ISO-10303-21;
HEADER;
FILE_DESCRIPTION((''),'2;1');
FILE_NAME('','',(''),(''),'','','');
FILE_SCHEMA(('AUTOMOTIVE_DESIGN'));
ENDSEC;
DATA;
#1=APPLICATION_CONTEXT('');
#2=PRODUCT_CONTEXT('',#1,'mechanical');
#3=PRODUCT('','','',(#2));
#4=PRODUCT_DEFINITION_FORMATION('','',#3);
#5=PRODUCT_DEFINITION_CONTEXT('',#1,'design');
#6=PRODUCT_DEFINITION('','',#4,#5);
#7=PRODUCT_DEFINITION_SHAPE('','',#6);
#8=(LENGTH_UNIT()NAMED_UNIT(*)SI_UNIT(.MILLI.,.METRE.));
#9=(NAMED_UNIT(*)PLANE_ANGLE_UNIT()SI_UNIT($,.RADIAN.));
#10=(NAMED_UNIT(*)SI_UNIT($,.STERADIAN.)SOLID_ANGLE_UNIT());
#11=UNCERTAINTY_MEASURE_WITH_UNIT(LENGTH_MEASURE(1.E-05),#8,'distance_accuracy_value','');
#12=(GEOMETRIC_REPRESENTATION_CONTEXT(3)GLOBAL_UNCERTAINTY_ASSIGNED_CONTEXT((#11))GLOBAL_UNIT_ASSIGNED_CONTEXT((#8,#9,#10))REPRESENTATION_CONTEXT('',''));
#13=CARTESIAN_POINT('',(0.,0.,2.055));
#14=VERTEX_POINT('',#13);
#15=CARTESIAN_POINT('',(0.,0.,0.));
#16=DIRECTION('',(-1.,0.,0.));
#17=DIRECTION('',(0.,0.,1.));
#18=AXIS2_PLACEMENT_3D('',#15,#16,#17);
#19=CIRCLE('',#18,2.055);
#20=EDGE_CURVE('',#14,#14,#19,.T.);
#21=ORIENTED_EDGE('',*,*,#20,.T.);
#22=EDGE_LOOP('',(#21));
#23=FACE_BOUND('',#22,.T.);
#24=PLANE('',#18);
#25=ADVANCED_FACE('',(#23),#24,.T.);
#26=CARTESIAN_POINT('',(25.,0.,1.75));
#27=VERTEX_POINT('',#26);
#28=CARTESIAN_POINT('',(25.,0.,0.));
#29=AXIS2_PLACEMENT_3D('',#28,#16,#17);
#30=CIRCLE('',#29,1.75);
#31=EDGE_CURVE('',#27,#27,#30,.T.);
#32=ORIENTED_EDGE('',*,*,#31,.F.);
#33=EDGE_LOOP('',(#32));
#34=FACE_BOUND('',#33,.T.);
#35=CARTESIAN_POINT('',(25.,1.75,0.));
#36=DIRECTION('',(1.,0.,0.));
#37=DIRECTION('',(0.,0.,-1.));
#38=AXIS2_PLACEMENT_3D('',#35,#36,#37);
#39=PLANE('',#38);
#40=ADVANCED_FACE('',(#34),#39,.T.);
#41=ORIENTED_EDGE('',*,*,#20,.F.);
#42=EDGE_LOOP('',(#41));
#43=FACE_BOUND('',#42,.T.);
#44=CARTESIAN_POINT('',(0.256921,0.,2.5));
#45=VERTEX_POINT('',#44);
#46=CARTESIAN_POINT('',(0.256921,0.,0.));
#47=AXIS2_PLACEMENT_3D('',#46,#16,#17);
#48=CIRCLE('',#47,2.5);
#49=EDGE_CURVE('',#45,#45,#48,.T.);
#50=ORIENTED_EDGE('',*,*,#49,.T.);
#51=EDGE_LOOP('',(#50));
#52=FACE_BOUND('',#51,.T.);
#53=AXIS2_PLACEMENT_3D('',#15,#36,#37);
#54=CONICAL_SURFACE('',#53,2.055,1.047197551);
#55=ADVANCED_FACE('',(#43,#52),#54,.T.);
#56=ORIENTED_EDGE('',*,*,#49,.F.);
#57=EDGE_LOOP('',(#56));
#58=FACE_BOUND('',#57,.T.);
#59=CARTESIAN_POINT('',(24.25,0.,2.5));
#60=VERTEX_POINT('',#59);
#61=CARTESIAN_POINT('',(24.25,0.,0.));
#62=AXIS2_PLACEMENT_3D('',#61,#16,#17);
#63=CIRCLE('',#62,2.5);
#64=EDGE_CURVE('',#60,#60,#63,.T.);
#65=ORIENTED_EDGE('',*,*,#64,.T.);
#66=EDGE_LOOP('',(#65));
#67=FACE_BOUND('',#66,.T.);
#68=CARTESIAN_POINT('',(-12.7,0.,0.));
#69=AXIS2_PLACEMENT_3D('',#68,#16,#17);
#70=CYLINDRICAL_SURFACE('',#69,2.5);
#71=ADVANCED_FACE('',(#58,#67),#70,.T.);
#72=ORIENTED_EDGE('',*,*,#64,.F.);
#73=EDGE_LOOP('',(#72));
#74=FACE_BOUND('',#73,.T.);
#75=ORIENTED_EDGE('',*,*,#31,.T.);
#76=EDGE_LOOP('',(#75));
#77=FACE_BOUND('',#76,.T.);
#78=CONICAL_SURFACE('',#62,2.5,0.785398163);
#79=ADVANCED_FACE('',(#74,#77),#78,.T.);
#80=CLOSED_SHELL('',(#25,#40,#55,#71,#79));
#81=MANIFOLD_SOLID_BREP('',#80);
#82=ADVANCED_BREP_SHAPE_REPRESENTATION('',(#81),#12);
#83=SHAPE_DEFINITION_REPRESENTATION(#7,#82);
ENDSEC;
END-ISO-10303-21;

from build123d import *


with BuildPart() as part:
    # BodySke → BaseBody (revolve)
    with BuildSketch(Plane.XY, mode=Mode.PRIVATE) as basebody_sk:
        Polygon((0, 0), (0, 2.055), (0.25692087, 2.5), (24.25, 2.5), (25, 1.75), (25, 0), align=None)
    revolve(basebody_sk.sketch.rotate(Axis((-12.7, 0, 0), (1, 0, 0)), 90), axis=Axis((-12.7, 0, 0), (1, 0, 0)))


solid = part.part
